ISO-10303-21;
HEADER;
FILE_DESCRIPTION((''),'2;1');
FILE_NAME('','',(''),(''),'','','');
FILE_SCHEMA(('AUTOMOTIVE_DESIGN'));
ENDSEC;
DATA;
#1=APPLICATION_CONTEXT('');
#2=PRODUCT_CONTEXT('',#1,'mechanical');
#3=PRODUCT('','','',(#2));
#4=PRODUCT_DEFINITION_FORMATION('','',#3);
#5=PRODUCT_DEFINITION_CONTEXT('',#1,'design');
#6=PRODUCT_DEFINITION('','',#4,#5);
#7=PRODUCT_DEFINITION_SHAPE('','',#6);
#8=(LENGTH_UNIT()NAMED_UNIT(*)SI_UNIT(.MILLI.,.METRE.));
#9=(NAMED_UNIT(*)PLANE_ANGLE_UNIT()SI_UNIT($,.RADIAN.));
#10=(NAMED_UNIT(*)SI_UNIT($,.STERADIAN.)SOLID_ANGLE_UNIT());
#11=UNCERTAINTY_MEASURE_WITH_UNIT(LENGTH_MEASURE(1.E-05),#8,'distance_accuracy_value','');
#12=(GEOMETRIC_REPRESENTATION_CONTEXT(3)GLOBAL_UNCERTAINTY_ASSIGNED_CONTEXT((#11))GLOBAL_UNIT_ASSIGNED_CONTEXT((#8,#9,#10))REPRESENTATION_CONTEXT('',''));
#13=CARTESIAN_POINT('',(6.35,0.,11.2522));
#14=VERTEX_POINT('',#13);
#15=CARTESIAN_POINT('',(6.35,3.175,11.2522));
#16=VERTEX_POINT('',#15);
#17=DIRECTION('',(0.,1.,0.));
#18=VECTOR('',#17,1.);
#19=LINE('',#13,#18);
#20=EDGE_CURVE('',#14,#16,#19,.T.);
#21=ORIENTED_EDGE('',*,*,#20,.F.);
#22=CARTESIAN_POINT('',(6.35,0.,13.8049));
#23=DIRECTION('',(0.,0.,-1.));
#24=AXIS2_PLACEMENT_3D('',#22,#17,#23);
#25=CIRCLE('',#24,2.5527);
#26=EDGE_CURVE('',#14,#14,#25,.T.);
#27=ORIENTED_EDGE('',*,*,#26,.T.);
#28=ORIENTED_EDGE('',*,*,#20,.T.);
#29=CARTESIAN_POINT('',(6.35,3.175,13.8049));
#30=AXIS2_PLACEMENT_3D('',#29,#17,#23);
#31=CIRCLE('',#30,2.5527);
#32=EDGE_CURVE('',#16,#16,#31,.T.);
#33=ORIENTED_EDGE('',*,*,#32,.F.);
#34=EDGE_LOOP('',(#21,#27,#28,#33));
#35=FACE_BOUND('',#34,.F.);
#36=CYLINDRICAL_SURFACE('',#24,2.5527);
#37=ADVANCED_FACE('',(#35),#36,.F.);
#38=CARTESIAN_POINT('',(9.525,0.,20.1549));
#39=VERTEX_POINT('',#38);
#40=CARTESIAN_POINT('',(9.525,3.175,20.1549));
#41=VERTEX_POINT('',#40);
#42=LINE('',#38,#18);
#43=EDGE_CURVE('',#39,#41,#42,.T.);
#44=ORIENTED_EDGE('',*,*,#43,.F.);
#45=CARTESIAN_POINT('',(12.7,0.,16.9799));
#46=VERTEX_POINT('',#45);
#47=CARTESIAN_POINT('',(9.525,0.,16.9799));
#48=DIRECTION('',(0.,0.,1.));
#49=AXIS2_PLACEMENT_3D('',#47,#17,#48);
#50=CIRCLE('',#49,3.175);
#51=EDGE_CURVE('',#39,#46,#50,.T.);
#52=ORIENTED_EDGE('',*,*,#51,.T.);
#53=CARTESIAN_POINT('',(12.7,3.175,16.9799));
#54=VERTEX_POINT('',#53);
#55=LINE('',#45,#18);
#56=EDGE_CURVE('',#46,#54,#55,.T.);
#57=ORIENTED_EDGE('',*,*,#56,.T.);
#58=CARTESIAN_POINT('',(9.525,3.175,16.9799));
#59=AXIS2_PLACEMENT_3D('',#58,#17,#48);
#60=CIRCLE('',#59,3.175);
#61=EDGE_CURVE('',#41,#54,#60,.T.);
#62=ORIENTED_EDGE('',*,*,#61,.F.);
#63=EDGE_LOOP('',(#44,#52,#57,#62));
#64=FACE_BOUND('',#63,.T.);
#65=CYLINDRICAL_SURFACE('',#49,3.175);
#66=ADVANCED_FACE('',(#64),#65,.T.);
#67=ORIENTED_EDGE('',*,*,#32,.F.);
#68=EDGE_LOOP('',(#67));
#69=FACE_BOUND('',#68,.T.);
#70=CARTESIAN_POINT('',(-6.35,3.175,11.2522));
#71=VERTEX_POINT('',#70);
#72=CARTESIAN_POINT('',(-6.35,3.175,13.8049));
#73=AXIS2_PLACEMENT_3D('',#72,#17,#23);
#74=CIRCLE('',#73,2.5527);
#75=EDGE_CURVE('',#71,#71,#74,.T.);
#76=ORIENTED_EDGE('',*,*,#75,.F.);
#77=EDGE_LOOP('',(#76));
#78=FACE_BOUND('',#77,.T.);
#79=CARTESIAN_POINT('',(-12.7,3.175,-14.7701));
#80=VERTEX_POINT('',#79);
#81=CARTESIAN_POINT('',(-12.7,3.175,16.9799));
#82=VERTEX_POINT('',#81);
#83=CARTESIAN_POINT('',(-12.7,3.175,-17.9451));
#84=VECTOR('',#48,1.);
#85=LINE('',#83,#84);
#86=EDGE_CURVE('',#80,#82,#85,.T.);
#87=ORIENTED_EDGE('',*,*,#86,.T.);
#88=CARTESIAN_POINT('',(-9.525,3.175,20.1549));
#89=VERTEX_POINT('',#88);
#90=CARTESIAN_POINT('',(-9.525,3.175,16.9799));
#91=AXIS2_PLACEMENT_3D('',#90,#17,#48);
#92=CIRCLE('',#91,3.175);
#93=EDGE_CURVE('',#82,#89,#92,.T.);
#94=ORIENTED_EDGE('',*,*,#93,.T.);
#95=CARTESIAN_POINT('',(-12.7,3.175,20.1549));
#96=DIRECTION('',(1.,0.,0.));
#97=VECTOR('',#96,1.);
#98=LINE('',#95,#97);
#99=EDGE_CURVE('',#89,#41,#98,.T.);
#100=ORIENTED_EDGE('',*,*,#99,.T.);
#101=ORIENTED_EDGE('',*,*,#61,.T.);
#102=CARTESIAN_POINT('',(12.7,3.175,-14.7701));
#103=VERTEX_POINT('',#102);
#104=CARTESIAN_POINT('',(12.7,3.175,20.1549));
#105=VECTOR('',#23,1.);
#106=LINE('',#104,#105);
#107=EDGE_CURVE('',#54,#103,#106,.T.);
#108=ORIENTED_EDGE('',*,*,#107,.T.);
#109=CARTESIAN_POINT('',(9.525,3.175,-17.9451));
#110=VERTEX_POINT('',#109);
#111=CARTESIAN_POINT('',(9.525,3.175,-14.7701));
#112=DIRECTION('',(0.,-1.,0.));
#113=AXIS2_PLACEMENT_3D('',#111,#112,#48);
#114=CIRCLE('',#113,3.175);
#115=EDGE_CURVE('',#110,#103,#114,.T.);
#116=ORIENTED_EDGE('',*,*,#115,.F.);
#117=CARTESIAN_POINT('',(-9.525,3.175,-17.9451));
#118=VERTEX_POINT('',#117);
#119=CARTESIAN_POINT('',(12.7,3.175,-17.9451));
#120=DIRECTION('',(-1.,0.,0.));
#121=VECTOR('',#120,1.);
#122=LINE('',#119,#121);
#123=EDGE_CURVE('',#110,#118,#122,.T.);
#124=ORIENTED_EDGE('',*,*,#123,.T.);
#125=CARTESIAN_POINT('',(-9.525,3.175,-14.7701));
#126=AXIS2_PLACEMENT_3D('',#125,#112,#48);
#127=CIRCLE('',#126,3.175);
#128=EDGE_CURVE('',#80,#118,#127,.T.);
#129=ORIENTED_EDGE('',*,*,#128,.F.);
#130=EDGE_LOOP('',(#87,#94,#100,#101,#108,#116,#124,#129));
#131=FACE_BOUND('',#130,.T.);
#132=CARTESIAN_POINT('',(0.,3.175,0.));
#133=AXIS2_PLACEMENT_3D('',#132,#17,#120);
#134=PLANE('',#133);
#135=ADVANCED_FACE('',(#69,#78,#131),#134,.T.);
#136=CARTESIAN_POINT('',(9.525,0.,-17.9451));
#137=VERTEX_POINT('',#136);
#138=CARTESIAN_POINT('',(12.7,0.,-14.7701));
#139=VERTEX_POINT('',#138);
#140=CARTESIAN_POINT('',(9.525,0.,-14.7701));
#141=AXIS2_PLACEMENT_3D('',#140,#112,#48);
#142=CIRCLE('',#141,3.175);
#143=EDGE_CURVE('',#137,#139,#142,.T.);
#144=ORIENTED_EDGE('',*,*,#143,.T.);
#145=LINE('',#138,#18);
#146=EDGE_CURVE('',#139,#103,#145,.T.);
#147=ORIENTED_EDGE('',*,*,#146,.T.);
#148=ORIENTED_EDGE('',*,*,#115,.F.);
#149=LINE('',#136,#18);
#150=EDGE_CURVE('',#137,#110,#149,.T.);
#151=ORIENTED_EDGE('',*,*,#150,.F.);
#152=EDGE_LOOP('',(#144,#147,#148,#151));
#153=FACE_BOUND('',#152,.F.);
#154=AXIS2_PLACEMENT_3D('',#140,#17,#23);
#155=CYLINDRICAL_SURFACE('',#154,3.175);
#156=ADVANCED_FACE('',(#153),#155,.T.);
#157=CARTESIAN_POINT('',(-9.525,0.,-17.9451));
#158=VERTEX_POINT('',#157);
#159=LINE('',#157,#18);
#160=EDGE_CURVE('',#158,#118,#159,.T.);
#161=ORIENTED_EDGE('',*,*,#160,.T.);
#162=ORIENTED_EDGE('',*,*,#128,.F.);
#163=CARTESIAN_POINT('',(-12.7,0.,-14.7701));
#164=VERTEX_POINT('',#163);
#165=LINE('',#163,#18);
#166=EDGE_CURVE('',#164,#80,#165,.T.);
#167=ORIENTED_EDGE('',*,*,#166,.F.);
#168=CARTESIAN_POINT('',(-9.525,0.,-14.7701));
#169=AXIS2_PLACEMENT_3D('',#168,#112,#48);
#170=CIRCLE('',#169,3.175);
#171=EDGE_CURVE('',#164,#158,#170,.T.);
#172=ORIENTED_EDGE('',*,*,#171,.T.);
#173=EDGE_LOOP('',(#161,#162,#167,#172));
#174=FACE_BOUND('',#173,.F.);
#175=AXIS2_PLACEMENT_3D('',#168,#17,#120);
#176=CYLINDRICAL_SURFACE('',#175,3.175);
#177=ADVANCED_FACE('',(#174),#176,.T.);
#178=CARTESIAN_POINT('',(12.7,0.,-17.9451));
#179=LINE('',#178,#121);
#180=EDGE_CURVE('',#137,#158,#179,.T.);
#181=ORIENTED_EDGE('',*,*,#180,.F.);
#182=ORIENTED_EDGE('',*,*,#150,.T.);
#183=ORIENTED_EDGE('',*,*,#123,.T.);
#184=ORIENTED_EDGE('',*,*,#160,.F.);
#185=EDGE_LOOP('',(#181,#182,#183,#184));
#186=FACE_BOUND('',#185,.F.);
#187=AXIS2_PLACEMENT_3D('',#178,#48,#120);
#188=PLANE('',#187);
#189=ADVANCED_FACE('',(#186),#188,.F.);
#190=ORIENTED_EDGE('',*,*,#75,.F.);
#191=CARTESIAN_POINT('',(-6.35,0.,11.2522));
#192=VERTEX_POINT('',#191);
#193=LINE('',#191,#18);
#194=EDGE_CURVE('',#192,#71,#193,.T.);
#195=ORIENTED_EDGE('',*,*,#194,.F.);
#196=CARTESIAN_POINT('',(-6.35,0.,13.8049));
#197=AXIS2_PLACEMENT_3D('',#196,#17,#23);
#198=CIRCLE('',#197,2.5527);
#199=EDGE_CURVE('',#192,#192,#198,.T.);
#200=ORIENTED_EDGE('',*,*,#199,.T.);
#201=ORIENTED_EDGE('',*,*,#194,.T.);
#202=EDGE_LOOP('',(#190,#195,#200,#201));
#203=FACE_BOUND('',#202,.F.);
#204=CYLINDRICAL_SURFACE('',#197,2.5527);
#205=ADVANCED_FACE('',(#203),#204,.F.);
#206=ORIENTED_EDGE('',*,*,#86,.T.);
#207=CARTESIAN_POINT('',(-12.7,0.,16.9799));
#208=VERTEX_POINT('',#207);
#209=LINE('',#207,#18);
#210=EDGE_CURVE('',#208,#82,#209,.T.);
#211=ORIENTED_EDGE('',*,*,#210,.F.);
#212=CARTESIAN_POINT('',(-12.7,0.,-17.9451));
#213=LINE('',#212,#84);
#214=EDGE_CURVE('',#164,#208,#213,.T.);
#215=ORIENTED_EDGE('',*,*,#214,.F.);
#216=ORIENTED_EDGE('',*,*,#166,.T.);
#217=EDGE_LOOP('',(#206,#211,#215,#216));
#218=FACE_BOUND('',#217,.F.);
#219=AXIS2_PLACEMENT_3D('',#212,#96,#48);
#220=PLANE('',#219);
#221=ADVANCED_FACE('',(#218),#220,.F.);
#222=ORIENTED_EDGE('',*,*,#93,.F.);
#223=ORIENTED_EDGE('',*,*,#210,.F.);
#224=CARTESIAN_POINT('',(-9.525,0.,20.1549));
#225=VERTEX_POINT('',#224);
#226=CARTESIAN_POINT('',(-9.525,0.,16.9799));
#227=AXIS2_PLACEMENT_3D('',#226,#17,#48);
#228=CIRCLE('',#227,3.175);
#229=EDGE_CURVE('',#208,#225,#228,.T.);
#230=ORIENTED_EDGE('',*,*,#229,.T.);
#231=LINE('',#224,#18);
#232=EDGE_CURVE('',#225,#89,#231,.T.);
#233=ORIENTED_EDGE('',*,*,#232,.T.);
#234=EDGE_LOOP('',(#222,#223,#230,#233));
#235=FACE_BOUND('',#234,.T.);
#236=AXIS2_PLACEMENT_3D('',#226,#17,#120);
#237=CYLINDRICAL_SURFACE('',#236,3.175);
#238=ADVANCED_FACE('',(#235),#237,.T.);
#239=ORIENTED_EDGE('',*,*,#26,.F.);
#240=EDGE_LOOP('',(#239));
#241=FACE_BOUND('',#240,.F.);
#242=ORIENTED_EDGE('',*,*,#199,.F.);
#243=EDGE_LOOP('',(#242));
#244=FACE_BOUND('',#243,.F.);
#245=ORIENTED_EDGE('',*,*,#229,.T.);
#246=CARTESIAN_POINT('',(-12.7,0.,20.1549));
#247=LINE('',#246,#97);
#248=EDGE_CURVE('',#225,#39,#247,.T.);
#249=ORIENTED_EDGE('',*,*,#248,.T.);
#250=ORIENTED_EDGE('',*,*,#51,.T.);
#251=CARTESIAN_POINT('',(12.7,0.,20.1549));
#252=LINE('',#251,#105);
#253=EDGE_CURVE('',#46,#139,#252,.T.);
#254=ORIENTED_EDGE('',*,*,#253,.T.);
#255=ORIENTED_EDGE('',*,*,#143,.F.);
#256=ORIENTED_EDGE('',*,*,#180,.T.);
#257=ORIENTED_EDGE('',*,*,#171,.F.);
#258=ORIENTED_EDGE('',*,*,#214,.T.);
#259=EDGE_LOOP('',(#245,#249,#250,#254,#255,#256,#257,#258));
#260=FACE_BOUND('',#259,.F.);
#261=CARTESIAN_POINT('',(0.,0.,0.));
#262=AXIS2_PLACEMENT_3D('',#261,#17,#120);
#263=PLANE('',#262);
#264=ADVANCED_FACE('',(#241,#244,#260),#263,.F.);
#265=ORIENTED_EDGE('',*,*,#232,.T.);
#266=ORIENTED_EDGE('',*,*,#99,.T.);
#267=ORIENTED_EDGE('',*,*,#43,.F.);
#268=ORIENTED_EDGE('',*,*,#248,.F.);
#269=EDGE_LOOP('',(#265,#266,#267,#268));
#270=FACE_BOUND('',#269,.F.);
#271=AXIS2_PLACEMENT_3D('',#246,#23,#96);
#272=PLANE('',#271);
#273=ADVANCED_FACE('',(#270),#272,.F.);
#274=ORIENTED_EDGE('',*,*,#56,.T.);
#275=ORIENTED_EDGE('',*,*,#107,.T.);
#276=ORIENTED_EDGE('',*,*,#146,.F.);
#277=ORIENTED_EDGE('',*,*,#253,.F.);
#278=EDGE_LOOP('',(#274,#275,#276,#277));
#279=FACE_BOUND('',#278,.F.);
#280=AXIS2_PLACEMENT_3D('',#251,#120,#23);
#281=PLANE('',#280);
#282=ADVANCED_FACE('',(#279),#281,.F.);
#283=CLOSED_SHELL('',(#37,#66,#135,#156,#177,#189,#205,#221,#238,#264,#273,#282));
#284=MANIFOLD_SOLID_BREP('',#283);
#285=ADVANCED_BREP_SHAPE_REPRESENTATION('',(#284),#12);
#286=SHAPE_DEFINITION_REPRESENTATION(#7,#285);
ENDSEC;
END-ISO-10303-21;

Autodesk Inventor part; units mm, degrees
ref_plane "YZ Plane" through (0, 0, 0) normal (1, 0, 0) x (0, 1, 0)
ref_plane "XZ Plane" through (0, 0, 0) normal (0, 1, 0) x (-1, 0, 0)
ref_plane "XY Plane" through (0, 0, 0) normal (0, 0, 1) x (1, 0, 0)
sketch "Sketch1" plane through (0, 0, 0) normal (0, 1, 0) x (-1, 0, 0)
  line L0 (8.89, 0) -> (-8.89, 0) construction
  line L1 (8.89, 1.5875) -> (-8.89, 1.5875)
  line L2 (-8.89, -1.5875) -> (8.89, -1.5875)
  arc A0 (8.89, -1.5875) -> (8.89, 1.5875) centre (8.89, 0) ccw
  arc A1 (-8.89, 1.5875) -> (-8.89, -1.5875) centre (-8.89, 0) ccw
  line L3 (8.89, -5.0038) -> (-8.89, -5.0038) construction
  line L4 (8.89, -3.4163) -> (-8.89, -3.4163)
  line L5 (-8.89, -6.5913) -> (8.89, -6.5913)
  arc A2 (8.89, -6.5913) -> (8.89, -3.4163) centre (8.89, -5.0038) ccw
  arc A3 (-8.89, -3.4163) -> (-8.89, -6.5913) centre (-8.89, -5.0038) ccw
  line L6 (8.89, -10.0076) -> (-8.89, -10.0076) construction
  line L7 (8.89, -8.4201) -> (-8.89, -8.4201)
  line L8 (-8.89, -11.5951) -> (8.89, -11.5951)
  arc A4 (8.89, -11.5951) -> (8.89, -8.4201) centre (8.89, -10.0076) ccw
  arc A5 (-8.89, -8.4201) -> (-8.89, -11.5951) centre (-8.89, -10.0076) ccw
  line L9 (12.7, 20.1549) -> (-12.7, 20.1549)
  line L10 (-12.7, 20.1549) -> (-12.7, -17.9451)
  line L11 (-12.7, -17.9451) -> (12.7, -17.9451)
  line L12 (12.7, -17.9451) -> (12.7, 20.1549)
  line L13 (6.35, 13.8049) -> (-6.35, 13.8049) construction
  line L14 (-8.89, -16.5989) -> (8.89, -16.5989)
  arc A6 (8.89, -16.5989) -> (8.89, -13.4239) centre (8.89, -15.0114) ccw
  line L15 (8.89, -13.4239) -> (-8.89, -13.4239)
  line L16 (8.89, -15.0114) -> (-8.89, -15.0114) construction
  arc A7 (-8.89, -13.4239) -> (-8.89, -16.5989) centre (-8.89, -15.0114) ccw
  point P0 (0, 0)
  point P1 (0, -5.0038)
  point P2 (0, -10.0076)
  point P3 (10.4775, -5.0038)
  point P4 (10.4775, 0)
  point P5 (10.4775, -10.0076)
  point P6 (0, -17.9451)
  point P7 (0, -11.5951)
  point P8 (0, 13.8049)
  point P9 (0, 20.1549)
  point P10 (0, -16.5989)
  point P11 (10.4775, -15.0114)
  dimension "d1" = 17.78
  dimension "d3" = 3.175
  dimension "d4" = 5.0038
  dimension "d5" = 5.0038
  dimension "d8" = 25.4
  dimension "d9" = 38.1
  dimension "d10" = 6.35
  dimension "d11" = 12.7
  dimension "d12" = 6.35
  dimension "d25" = 5.0038
extrude "Extrusion1" add sketch "Sketch1" along normal blind 3.175 contours A0 L2 A1 L1 | A2 L5 A3 L4 | A4 L8 A5 L7 | L12 L11 L10 L9 | A7 L15 A6 L14
hole "Hole1" at (-6.35, 0, 13.8049) at (6.35, 0, 13.8049) direction (0, 1, 0) diameter 5.1054 end through all clearance for "Flat Head Machine Screw (82)" size "#10" standard "Ansi Unified Screw Threads"
fillet "Fillet1" radius 3.175 4 edges at (-12.7, 1.5875, -17.9451) (12.7, 1.5875, -17.9451) (12.7, 1.5875, 20.1549) (-12.7, 1.5875, 20.1549)
equation "\"d5\" = d4"
properties part number "EL2-035" material "Aluminum 6061"
